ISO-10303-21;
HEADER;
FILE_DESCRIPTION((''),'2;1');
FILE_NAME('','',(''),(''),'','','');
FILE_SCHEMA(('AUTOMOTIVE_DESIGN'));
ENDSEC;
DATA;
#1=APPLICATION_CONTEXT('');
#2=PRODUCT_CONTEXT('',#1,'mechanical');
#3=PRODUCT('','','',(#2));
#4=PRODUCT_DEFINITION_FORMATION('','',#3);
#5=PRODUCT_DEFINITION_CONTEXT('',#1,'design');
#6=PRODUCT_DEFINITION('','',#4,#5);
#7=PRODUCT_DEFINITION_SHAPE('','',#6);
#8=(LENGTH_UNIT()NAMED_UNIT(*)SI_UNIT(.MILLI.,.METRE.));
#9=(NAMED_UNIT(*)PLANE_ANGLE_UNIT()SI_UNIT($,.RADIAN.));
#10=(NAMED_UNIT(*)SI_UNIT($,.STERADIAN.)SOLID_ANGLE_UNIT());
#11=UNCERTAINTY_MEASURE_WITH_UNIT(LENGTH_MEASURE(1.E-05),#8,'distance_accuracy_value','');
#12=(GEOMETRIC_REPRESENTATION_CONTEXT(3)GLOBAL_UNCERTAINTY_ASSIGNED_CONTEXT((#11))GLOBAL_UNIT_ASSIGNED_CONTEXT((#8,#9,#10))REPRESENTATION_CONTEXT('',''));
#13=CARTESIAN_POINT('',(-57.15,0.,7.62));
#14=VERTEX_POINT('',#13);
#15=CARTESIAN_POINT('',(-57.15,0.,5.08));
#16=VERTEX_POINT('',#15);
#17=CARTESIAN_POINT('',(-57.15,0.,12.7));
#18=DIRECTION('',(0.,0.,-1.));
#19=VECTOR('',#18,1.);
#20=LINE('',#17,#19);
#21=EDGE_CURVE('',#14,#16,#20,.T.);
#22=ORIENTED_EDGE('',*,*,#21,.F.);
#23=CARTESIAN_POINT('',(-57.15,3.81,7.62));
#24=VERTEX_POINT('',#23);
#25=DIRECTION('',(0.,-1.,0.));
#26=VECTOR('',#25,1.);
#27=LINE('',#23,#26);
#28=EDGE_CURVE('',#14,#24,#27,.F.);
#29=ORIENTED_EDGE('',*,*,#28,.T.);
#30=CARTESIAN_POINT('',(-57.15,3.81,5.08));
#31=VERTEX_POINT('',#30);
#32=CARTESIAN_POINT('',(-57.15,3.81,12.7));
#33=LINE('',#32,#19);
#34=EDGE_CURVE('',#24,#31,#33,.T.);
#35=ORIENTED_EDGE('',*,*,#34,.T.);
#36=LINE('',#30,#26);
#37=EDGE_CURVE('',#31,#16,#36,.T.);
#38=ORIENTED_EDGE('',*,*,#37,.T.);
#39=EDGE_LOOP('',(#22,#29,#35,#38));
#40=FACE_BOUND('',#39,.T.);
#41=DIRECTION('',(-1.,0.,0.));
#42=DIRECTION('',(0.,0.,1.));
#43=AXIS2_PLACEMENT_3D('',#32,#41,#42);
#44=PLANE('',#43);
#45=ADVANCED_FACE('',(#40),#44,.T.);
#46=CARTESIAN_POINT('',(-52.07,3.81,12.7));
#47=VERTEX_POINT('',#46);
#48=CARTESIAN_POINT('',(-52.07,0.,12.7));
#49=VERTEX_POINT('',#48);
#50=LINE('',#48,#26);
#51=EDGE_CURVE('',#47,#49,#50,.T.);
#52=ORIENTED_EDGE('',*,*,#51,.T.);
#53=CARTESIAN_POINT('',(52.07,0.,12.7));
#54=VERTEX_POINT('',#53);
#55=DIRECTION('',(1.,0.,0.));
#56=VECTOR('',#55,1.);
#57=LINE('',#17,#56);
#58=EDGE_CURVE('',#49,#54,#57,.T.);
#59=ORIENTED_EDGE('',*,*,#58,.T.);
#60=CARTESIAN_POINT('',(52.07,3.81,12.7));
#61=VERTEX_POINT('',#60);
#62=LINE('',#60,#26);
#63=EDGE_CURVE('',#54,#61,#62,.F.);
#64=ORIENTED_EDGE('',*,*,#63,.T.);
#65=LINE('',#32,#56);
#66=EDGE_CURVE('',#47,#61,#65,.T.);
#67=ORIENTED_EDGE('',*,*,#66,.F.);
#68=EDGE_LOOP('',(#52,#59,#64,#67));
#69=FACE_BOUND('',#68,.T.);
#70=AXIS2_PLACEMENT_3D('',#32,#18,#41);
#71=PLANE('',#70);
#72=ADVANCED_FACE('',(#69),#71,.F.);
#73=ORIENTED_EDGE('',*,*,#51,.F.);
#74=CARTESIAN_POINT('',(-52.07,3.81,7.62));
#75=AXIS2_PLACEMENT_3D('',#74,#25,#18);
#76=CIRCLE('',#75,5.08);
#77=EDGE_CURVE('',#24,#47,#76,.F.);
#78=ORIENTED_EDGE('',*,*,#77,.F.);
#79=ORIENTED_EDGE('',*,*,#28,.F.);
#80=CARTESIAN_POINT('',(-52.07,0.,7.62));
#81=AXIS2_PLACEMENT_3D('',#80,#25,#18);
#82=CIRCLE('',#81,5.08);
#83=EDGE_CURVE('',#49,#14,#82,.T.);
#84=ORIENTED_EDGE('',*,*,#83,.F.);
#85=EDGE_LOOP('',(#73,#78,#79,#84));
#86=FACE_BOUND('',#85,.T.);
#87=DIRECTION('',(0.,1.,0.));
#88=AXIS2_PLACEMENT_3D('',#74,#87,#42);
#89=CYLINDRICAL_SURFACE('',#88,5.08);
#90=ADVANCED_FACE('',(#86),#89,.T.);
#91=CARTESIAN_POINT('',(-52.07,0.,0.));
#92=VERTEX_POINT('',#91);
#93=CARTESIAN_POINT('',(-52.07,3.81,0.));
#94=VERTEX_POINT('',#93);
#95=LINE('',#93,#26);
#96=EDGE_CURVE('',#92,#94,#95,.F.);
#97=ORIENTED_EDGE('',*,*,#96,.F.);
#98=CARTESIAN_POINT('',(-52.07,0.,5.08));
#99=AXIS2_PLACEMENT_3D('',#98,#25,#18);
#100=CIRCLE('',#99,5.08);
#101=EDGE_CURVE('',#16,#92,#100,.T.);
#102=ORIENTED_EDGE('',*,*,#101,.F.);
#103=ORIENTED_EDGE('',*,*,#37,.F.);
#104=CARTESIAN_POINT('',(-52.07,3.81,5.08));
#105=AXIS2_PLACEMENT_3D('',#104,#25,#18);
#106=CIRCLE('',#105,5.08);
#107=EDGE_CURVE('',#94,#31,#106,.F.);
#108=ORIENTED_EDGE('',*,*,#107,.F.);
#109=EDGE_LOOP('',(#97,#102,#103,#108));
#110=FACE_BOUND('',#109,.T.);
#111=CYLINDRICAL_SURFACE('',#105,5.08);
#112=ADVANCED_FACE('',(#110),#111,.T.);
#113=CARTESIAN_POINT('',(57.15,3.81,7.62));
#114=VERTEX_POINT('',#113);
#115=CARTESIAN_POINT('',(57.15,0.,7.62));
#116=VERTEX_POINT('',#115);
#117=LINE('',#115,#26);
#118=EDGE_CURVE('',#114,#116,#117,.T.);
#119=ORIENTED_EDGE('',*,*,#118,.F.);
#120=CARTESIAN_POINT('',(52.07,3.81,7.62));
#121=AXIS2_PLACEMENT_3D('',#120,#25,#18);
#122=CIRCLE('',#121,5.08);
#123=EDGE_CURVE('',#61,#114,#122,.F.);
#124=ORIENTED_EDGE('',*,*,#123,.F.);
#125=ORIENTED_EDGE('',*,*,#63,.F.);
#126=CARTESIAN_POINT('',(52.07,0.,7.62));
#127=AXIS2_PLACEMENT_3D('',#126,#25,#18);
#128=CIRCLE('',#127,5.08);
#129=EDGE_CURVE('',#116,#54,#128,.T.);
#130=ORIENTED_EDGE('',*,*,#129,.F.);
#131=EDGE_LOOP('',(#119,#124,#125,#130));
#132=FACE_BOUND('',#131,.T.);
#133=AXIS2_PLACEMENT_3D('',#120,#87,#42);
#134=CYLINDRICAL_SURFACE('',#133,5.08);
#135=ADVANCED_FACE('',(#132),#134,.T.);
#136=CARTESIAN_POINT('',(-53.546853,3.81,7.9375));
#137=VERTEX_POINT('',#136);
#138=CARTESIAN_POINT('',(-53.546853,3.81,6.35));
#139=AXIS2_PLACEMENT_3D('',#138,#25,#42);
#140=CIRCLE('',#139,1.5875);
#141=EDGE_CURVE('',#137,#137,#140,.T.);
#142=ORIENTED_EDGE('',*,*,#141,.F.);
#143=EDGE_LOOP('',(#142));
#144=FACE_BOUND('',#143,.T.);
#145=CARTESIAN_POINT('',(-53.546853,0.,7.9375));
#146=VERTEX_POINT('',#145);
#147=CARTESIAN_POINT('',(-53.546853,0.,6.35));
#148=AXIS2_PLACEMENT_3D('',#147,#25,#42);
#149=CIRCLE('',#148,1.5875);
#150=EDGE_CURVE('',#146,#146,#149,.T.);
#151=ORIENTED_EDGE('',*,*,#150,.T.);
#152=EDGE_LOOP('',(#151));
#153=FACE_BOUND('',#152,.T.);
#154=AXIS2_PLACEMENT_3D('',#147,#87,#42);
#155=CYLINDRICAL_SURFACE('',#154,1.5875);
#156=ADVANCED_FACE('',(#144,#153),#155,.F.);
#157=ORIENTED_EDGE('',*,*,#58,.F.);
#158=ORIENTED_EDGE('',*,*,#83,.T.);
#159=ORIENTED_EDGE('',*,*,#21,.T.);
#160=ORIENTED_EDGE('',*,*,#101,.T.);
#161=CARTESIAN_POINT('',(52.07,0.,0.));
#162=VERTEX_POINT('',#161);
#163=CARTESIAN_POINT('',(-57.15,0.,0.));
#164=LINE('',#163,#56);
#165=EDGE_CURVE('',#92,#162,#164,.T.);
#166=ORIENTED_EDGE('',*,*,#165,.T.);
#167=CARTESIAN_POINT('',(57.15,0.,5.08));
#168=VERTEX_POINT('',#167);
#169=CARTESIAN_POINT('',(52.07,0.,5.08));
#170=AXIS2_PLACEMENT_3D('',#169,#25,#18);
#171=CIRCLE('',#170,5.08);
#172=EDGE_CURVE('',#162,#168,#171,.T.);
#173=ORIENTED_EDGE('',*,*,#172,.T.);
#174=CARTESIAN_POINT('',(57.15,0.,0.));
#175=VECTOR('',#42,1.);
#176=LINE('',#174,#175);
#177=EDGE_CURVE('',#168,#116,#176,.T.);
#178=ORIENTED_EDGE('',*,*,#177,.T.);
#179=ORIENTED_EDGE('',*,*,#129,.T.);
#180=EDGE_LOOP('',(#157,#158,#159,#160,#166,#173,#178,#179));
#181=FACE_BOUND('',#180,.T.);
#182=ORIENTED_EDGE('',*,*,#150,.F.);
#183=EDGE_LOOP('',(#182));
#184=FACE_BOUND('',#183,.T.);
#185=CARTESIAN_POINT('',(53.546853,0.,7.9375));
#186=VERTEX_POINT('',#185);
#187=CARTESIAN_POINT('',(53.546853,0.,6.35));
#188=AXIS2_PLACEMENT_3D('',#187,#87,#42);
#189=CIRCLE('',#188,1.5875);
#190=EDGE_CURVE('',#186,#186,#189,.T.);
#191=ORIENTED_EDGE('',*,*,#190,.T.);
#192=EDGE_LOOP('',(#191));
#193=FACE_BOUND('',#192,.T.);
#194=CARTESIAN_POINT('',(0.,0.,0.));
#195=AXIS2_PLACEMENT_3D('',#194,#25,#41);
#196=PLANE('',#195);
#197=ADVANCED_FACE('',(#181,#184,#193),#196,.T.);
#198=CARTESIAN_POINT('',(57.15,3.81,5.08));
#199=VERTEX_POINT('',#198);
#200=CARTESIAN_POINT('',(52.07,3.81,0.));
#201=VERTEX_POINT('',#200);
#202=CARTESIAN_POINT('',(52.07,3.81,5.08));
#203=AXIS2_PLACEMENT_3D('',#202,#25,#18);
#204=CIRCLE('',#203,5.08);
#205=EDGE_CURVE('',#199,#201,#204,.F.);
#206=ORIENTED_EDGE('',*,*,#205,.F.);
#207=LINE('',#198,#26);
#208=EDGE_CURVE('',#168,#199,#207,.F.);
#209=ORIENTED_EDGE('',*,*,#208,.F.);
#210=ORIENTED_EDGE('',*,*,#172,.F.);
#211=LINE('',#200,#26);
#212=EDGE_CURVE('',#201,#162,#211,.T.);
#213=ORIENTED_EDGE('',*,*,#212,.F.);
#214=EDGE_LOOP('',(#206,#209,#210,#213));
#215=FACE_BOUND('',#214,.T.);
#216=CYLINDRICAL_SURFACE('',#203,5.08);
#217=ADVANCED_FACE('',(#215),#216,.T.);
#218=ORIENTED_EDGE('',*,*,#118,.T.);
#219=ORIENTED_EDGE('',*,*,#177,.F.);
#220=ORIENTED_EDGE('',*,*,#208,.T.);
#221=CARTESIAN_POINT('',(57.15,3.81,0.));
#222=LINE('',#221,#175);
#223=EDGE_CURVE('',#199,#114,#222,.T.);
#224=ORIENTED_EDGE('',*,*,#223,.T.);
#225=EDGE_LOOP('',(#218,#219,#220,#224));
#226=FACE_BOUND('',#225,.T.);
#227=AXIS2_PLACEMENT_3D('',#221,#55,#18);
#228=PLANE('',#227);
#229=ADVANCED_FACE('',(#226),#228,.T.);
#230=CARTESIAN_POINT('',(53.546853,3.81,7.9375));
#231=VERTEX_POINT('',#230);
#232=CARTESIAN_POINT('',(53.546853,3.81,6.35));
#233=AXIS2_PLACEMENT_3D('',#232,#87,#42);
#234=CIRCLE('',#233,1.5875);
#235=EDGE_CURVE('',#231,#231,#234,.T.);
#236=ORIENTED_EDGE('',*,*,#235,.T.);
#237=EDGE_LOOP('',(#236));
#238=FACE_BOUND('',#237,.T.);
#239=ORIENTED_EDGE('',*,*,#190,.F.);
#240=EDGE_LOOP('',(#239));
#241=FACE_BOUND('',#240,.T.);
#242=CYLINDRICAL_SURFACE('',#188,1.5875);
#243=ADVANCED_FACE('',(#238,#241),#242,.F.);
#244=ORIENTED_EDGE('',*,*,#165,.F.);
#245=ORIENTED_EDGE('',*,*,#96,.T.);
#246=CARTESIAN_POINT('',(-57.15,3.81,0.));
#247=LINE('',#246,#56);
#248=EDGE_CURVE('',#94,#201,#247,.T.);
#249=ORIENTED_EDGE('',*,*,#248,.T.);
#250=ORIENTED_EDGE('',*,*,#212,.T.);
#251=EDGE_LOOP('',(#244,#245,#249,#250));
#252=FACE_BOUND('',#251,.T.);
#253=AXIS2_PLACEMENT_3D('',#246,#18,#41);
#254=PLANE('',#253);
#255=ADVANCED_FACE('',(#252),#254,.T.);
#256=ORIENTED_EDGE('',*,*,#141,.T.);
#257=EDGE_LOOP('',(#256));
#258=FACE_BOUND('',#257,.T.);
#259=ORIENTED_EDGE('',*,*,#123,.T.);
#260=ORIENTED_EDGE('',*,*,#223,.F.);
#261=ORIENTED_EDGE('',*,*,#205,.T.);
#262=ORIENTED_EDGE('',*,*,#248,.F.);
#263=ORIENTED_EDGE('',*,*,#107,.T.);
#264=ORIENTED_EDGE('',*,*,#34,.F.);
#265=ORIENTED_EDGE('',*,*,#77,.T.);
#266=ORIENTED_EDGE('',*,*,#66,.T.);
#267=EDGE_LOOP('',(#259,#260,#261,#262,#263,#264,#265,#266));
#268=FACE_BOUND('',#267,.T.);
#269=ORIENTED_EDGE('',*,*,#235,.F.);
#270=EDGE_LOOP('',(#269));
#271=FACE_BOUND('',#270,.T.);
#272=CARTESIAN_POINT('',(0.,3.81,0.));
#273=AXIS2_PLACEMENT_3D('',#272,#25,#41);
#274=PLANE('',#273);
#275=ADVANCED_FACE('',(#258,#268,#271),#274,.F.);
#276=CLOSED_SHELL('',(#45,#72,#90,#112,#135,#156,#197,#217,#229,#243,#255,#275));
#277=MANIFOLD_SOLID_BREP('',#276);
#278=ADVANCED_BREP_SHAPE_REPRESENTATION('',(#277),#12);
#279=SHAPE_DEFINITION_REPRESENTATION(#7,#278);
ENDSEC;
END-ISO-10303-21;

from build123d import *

# Parameters (mm, degrees)
SKETCH1_W           = 114.3
SKETCH1_H           = 12.7
EXTRUDE_THIN1_DEPTH = 3.81
FILLET1_R           = 5.08
SKETCH3_R           = 1.5875
CUT_EXTRUDE1_DEPTH  = 3.81


with BuildPart() as part:
    # Sketch1 → Extrude-Thin1 (new body)
    with BuildSketch(Plane(origin=(0, 0, 0), x_dir=(1, 0, 0), z_dir=(0, 1, 0))):
        with Locations((0, -6.35)):
            Rectangle(SKETCH1_W, SKETCH1_H)
    extrude(amount=EXTRUDE_THIN1_DEPTH)

    # Fillet1
    fillet1_edges = [part.edges().sort_by_distance(p)[0] for p in [
        (-57.15, 1.905, 12.7),
        (-57.15, 1.905, 0),
        (57.15, 1.905, 0),
        (57.15, 1.905, 12.7),
    ]]
    fillet(fillet1_edges, radius=FILLET1_R)

    # Sketch3 → Cut-Extrude1 (cut)
    with BuildSketch(Plane(origin=(0, 3.81, 0), x_dir=(1, 0, 0), z_dir=(0, 1, 0))):
        with Locations((53.54685275, -6.35)):
            Circle(SKETCH3_R)
    cut_extrude1 = extrude(amount=-CUT_EXTRUDE1_DEPTH, mode=Mode.SUBTRACT)

    # Mirror1: Cut-Extrude1 across plane
    add(cut_extrude1.mirror(Plane(origin=(0, 0, 0), x_dir=(0, 0, 1), z_dir=(1, 0, 0))), mode=Mode.SUBTRACT)


solid = part.part
